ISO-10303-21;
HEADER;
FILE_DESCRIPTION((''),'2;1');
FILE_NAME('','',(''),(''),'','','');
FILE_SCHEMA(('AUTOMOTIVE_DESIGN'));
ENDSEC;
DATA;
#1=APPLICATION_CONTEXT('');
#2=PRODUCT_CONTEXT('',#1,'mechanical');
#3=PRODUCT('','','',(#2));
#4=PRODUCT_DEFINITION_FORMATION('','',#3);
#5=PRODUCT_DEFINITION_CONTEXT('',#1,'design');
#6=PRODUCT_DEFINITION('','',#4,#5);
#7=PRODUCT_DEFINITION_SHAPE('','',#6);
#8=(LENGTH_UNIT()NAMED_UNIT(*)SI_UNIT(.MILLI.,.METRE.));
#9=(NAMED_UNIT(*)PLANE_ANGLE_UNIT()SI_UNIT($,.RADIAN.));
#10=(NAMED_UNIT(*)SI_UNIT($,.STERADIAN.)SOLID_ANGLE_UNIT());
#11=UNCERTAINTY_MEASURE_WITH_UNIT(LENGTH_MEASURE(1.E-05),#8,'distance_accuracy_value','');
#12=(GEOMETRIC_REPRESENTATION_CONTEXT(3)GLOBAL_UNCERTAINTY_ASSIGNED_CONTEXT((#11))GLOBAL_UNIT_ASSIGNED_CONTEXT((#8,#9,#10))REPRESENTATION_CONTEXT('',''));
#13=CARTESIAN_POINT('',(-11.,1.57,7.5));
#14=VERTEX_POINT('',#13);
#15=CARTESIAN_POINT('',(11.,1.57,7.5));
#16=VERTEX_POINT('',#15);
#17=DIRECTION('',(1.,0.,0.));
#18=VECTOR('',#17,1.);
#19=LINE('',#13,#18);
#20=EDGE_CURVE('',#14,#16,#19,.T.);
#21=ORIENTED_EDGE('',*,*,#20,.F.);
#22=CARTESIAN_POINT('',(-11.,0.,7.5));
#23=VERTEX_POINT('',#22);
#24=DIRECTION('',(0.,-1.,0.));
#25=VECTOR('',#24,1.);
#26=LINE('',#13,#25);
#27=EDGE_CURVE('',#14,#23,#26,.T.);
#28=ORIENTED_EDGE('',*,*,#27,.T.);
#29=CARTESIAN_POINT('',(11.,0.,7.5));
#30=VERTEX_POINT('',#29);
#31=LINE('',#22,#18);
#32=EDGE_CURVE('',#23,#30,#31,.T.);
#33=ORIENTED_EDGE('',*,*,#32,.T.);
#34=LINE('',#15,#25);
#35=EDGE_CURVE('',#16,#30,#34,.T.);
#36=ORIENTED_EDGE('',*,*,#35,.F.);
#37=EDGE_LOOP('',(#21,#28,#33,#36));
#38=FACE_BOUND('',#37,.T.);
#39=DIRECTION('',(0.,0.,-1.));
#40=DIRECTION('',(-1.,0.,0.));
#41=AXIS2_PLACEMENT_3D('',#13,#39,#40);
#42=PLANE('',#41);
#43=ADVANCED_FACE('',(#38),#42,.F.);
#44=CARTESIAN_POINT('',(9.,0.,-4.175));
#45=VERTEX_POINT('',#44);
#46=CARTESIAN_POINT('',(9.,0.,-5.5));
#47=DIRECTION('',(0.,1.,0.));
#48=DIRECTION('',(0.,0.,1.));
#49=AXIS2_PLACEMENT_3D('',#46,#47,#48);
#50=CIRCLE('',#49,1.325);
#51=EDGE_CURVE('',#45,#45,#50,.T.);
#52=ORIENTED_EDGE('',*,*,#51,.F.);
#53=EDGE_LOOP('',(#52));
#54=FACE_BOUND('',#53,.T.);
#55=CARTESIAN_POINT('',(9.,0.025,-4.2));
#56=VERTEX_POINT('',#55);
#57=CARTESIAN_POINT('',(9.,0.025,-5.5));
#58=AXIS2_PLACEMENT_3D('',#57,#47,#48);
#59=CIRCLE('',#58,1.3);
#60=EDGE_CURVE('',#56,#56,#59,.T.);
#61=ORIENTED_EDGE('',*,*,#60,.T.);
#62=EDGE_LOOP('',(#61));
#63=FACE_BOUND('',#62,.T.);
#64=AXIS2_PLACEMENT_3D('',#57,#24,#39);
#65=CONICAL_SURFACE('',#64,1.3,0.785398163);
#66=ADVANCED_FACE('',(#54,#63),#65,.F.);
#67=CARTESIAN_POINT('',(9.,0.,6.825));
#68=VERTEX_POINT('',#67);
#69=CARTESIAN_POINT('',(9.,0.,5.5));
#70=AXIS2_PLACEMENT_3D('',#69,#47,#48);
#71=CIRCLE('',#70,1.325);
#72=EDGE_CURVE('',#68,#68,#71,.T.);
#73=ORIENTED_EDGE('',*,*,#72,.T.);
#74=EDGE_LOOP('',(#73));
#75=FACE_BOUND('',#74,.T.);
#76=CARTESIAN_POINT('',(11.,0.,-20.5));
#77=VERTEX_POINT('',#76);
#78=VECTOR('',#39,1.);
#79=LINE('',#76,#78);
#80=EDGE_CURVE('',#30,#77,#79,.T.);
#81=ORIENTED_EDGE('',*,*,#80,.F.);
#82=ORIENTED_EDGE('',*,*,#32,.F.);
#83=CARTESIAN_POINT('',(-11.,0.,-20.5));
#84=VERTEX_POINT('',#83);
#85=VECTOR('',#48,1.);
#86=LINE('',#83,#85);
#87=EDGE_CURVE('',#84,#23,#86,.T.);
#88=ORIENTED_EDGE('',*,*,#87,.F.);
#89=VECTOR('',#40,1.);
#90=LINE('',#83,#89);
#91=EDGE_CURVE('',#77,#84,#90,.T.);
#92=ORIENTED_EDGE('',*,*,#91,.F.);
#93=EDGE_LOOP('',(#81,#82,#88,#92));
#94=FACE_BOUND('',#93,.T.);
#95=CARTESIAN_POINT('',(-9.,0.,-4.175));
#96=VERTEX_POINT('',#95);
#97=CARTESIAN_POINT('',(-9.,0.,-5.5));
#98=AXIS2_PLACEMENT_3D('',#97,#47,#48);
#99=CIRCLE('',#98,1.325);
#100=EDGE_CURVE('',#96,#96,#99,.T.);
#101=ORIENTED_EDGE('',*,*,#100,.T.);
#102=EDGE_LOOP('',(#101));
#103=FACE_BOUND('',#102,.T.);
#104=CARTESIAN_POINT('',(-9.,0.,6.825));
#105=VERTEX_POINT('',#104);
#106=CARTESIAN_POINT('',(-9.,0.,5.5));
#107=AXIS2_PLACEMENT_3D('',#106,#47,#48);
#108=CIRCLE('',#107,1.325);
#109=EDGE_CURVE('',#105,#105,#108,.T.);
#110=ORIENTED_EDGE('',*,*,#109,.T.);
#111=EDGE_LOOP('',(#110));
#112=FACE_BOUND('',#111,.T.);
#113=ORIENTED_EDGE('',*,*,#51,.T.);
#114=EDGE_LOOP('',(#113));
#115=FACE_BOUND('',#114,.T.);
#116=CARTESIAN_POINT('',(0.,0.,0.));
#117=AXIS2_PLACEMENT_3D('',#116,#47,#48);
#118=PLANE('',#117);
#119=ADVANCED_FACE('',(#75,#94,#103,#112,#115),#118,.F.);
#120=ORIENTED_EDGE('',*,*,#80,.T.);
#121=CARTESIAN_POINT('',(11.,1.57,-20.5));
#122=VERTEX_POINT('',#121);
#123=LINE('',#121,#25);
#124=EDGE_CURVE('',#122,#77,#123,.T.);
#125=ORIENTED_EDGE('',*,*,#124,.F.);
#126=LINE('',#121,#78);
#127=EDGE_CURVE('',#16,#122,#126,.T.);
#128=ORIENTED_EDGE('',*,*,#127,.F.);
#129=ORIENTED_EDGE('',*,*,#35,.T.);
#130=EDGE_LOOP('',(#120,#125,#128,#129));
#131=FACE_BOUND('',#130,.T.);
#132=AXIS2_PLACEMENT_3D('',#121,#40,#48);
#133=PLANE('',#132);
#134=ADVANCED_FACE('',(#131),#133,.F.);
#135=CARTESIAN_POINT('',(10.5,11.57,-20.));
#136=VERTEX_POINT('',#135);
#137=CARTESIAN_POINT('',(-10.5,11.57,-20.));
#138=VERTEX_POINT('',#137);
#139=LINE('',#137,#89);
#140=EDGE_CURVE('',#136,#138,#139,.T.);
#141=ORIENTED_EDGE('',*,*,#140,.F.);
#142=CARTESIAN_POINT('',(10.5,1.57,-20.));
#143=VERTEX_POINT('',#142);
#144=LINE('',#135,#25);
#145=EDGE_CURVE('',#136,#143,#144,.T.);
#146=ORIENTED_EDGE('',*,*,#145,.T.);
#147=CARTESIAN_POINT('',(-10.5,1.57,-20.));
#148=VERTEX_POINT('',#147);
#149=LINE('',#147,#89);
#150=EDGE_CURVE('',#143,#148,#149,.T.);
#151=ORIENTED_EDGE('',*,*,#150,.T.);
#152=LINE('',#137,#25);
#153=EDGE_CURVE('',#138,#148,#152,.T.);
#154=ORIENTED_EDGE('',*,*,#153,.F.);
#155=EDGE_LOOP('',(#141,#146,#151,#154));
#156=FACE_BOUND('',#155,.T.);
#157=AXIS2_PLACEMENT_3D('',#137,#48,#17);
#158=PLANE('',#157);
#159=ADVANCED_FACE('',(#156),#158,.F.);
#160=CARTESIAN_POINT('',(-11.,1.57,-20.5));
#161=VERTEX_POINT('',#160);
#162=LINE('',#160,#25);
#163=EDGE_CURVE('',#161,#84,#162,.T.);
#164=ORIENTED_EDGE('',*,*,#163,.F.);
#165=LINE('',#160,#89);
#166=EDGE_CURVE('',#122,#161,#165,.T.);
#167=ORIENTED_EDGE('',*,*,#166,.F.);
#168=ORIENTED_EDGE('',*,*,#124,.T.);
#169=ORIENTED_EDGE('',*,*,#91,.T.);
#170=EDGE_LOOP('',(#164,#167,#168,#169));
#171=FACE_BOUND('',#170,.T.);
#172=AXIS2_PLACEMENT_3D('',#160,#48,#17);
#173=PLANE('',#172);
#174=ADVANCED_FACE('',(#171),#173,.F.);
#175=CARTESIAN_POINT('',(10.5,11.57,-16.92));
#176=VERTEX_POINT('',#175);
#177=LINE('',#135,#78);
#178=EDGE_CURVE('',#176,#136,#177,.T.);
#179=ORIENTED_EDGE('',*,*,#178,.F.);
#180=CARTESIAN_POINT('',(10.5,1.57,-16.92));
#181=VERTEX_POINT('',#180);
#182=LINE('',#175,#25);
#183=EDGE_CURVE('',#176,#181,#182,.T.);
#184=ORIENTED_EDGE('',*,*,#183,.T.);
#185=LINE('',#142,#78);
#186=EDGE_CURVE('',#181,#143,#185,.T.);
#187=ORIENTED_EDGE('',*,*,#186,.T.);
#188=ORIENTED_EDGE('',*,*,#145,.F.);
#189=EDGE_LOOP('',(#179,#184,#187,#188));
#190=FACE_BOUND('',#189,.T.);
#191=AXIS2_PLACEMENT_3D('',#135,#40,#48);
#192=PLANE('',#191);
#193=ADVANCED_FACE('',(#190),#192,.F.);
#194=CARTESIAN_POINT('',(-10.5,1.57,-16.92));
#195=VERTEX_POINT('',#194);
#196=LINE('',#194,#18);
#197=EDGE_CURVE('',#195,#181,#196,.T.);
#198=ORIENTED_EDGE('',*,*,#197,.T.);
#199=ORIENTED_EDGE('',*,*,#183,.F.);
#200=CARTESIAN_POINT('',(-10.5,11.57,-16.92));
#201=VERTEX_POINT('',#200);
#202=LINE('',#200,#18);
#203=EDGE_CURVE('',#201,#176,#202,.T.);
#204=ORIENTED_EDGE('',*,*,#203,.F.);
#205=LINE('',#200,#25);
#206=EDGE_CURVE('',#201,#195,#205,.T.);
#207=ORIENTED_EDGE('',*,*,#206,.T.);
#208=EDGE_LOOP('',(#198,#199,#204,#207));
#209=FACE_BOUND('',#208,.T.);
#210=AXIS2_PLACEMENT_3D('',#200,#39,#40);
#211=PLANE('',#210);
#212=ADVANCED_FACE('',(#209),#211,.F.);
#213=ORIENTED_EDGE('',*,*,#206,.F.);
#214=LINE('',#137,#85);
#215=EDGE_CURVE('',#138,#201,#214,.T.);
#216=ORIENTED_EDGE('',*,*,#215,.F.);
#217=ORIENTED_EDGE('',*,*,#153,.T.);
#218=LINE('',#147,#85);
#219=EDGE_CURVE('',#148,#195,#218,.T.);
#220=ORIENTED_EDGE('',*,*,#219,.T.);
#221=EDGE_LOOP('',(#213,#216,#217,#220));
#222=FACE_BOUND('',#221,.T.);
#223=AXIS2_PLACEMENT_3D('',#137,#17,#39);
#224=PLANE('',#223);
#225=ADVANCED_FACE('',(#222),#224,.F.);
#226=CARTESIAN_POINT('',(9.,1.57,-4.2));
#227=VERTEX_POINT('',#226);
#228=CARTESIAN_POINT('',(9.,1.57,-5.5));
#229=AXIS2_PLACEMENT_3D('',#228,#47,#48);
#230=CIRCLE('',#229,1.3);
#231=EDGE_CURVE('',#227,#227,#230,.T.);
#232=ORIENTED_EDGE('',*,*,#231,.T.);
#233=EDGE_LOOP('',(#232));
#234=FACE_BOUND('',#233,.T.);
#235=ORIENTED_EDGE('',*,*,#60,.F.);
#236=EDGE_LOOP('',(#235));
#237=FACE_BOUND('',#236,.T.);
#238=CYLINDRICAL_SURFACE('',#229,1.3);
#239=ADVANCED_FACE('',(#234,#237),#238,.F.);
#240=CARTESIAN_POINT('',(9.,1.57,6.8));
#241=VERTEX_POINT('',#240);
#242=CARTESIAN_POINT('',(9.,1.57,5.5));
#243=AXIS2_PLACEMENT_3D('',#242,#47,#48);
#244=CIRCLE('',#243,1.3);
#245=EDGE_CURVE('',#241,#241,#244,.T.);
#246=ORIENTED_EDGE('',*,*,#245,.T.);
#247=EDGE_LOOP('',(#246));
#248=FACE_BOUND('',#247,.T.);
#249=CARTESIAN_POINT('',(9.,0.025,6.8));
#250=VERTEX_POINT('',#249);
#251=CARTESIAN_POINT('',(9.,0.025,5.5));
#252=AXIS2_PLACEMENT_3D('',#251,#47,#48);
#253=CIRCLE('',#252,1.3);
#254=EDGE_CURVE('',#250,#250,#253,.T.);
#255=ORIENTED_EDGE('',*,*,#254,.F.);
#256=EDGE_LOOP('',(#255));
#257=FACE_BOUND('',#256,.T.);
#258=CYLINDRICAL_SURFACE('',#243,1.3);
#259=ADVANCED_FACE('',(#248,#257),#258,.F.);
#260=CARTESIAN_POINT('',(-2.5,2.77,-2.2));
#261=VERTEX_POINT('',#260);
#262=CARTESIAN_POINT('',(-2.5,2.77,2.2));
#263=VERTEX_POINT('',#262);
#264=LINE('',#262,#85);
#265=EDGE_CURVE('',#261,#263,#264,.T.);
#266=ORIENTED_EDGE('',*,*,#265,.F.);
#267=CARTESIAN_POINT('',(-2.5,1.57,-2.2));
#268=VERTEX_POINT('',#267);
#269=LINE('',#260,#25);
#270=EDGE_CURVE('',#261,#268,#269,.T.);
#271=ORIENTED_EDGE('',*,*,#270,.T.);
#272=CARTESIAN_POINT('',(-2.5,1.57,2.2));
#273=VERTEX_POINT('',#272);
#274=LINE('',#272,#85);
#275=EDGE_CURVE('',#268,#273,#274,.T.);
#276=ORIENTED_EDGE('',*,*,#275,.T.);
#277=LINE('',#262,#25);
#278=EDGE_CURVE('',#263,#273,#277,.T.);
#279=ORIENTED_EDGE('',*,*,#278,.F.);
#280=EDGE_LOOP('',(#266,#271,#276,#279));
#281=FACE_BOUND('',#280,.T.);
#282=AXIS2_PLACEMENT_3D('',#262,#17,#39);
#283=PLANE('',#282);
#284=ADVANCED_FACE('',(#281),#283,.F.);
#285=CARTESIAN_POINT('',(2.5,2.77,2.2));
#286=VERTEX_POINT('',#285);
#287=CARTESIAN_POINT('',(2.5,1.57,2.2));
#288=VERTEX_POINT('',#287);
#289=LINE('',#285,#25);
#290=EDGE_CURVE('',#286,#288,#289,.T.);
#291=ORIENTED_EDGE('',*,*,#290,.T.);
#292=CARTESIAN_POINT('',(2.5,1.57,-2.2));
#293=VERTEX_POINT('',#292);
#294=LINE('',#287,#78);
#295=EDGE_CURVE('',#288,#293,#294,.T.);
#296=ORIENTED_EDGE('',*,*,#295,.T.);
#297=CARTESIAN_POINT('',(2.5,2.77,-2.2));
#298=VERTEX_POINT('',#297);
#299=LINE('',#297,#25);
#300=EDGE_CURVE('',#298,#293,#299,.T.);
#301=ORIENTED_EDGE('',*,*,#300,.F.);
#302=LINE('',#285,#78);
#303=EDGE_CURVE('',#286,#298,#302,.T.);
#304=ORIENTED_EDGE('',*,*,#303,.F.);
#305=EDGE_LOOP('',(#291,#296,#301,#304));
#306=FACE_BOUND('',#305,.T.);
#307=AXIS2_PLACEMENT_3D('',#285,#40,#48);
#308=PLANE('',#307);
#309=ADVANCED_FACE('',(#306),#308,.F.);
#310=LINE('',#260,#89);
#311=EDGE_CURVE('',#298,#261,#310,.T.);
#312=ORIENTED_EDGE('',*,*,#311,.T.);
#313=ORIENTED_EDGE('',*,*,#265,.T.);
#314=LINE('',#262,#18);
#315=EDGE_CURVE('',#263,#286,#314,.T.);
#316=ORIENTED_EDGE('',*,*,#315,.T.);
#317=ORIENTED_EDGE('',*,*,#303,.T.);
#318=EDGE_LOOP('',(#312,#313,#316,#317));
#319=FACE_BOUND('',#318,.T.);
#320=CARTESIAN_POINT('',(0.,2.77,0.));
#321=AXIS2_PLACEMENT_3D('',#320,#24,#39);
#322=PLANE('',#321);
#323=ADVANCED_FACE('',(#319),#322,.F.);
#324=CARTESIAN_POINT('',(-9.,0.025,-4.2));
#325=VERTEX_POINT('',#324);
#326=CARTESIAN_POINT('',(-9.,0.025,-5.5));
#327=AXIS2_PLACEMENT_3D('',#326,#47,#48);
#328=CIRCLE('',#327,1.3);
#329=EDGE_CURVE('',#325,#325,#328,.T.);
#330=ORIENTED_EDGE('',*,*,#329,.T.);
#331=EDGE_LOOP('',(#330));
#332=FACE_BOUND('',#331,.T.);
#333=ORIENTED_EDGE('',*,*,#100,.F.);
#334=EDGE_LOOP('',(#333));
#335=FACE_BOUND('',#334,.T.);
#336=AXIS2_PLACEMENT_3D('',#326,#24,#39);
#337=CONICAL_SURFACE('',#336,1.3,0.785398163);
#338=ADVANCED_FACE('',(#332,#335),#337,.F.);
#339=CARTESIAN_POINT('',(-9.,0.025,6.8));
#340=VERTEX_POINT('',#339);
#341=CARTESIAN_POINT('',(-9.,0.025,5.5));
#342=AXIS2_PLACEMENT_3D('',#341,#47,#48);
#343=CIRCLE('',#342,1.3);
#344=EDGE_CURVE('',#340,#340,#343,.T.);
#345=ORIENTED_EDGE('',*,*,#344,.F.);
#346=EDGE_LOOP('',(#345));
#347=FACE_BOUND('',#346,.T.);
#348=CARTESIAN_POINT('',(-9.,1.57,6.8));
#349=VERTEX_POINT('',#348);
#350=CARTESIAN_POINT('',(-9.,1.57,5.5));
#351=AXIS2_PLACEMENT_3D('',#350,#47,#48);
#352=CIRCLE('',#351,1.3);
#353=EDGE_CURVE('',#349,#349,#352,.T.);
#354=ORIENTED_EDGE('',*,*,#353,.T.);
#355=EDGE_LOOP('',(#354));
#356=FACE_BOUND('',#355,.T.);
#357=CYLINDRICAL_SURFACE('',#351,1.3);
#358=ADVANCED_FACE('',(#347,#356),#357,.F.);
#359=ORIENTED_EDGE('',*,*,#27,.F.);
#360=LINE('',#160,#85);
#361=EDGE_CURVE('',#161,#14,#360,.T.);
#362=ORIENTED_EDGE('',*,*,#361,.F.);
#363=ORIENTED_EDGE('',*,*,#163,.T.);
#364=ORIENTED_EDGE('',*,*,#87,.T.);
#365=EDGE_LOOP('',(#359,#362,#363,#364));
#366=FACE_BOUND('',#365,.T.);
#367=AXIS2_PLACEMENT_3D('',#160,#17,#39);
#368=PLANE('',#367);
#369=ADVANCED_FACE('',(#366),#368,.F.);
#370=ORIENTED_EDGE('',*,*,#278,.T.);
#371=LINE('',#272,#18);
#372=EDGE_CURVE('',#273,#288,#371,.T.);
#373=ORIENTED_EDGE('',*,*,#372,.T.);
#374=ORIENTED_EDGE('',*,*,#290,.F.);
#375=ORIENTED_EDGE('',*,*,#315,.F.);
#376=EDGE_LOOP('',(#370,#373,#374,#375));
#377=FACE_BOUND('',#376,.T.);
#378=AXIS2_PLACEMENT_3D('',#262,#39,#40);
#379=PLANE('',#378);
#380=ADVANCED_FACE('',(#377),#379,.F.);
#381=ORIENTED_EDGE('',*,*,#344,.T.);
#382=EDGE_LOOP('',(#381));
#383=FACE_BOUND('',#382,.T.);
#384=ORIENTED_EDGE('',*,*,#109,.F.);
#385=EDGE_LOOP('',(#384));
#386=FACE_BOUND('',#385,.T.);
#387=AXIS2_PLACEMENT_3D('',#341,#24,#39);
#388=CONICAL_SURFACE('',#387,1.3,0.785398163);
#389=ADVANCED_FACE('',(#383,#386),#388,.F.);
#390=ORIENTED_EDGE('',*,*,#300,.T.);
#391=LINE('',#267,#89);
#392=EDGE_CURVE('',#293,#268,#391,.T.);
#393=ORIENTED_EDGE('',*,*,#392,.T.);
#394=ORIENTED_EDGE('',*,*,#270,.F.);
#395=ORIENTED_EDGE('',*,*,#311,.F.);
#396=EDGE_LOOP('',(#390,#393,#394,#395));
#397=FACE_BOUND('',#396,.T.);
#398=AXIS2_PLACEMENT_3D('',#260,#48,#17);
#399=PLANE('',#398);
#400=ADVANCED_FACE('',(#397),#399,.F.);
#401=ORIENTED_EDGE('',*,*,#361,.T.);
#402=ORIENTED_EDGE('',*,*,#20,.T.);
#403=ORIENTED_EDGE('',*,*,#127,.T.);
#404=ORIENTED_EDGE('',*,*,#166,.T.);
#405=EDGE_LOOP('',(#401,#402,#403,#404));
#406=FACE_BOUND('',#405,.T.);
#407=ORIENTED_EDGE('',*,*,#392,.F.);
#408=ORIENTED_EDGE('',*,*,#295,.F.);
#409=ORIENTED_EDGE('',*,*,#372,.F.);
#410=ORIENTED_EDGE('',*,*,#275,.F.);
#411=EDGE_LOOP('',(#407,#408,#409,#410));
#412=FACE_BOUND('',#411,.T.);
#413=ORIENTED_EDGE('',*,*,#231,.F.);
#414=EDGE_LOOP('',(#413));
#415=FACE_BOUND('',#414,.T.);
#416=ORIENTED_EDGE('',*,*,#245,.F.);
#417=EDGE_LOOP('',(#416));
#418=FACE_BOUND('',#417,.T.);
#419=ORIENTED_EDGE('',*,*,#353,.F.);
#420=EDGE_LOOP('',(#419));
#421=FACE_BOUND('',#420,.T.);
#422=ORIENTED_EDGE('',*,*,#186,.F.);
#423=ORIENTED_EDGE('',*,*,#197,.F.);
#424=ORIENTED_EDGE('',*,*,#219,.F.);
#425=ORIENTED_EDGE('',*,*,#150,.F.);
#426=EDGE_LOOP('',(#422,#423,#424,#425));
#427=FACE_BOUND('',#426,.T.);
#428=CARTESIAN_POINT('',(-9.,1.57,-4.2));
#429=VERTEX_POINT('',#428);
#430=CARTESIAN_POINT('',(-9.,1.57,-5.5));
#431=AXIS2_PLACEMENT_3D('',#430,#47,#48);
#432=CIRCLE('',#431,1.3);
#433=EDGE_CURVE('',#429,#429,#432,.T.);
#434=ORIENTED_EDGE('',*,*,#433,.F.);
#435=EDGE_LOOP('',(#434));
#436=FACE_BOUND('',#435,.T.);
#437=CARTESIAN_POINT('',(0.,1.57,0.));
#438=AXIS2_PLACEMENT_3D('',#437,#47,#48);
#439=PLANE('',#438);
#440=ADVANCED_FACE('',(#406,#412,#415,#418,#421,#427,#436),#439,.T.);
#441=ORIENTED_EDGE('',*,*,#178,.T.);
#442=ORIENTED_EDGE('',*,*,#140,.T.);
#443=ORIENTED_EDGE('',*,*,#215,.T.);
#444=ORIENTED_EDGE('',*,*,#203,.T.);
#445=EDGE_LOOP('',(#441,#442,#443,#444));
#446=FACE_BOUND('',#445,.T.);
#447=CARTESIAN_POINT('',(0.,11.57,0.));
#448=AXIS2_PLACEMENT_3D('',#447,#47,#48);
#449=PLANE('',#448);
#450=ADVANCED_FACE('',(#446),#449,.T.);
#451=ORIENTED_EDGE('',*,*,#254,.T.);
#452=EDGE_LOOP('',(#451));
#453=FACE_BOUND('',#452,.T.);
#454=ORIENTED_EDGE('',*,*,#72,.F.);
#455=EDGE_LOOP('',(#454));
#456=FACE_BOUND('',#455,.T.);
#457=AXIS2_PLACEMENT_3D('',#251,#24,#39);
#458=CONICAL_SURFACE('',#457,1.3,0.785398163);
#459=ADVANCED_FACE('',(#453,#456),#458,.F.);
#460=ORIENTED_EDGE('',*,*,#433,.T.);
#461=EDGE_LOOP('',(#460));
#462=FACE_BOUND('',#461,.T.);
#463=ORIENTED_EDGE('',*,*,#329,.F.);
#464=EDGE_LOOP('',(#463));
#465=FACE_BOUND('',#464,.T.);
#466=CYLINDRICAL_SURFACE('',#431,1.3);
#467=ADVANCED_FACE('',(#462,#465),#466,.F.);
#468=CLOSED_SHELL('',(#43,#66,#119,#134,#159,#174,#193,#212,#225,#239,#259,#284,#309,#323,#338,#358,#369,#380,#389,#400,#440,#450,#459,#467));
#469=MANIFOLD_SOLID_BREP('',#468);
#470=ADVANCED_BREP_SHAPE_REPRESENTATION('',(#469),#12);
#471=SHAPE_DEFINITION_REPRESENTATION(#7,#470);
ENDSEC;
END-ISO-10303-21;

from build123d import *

# Parameters (mm, degrees)
SKETCH1_W                           = 22
SKETCH1_H                           = 28
BOSS_EXTRUDE1_DEPTH                 = 1.57
F_2_6_2_6_DIAMETER_HOLE1_AT_2_COUNT = 2
F_2_6_2_6_DIAMETER_HOLE1_AT_2_PITCH = 11
F_2_6_2_6_DIAMETER_HOLE1_AT_3_COUNT = 2
F_2_6_2_6_DIAMETER_HOLE1_AT_3_PITCH = 21.09502311
F_2_6_2_6_DIAMETER_HOLE1_AT_4_COUNT = 2
F_2_6_2_6_DIAMETER_HOLE1_AT_4_PITCH = 18
SKETCH5_W                           = 5
SKETCH5_H                           = 4.4
BOSS_EXTRUDE2_DEPTH                 = 1.2
SKETCH6_W                           = 21
SKETCH6_H                           = 3.08
BOSS_EXTRUDE3_DEPTH                 = 10


with BuildPart() as part:
    # Sketch1 → Boss-Extrude1 (new body)
    with BuildSketch(Plane(origin=(0, 0, 0), x_dir=(1, 0, 0), z_dir=(0, 1, 0))):
        with Locations((0, 6.5)):
            Rectangle(SKETCH1_W, SKETCH1_H)
    extrude(amount=BOSS_EXTRUDE1_DEPTH)

    # Sketch3 → Ø2.6 (2.6) Diameter Hole1 (revolve, cut)
    with BuildSketch(Plane(origin=(-9, 1.57, -5.5), x_dir=(0, 0, 1), z_dir=(1, 0, 0))):
        Polygon((0, 0), (0, 1.57), (1.325, 1.57), (1.3, 1.545), (1.3, 0), align=None)
    f_2_6_2_6_diameter_hole1 = revolve(axis=Axis((-9, 7.92, -5.5), (0, -1, 0)), mode=Mode.SUBTRACT)

    # Ø2.6 (2.6) Diameter Hole1 at 2: Ø2.6 (2.6) Diameter Hole1 ×2
    with Locations(*[(0, 0, i * F_2_6_2_6_DIAMETER_HOLE1_AT_2_PITCH) for i in range(1, F_2_6_2_6_DIAMETER_HOLE1_AT_2_COUNT)]):
        add(f_2_6_2_6_diameter_hole1, mode=Mode.SUBTRACT)

    # Ø2.6 (2.6) Diameter Hole1 at 3: Ø2.6 (2.6) Diameter Hole1 ×2
    with Locations(*[Vector(0.853281834, 0, 0.521450009) * (i * F_2_6_2_6_DIAMETER_HOLE1_AT_3_PITCH) for i in range(1, F_2_6_2_6_DIAMETER_HOLE1_AT_3_COUNT)]):
        add(f_2_6_2_6_diameter_hole1, mode=Mode.SUBTRACT)

    # Ø2.6 (2.6) Diameter Hole1 at 4: Ø2.6 (2.6) Diameter Hole1 ×2
    with Locations(*[(i * F_2_6_2_6_DIAMETER_HOLE1_AT_4_PITCH, 0, 0) for i in range(1, F_2_6_2_6_DIAMETER_HOLE1_AT_4_COUNT)]):
        add(f_2_6_2_6_diameter_hole1, mode=Mode.SUBTRACT)

    # Sketch5 → Boss-Extrude2 (add)
    with BuildSketch(Plane(origin=(0, 1.57, 0), x_dir=(1, 0, 0), z_dir=(0, 1, 0))):
        Rectangle(SKETCH5_W, SKETCH5_H)
    extrude(amount=BOSS_EXTRUDE2_DEPTH)

    # Sketch6 → Boss-Extrude3 (add)
    with BuildSketch(Plane(origin=(0, 1.57, 0), x_dir=(1, 0, 0), z_dir=(0, 1, 0))):
        with Locations((0, 18.46)):
            Rectangle(SKETCH6_W, SKETCH6_H)
    extrude(amount=BOSS_EXTRUDE3_DEPTH)


solid = part.part
